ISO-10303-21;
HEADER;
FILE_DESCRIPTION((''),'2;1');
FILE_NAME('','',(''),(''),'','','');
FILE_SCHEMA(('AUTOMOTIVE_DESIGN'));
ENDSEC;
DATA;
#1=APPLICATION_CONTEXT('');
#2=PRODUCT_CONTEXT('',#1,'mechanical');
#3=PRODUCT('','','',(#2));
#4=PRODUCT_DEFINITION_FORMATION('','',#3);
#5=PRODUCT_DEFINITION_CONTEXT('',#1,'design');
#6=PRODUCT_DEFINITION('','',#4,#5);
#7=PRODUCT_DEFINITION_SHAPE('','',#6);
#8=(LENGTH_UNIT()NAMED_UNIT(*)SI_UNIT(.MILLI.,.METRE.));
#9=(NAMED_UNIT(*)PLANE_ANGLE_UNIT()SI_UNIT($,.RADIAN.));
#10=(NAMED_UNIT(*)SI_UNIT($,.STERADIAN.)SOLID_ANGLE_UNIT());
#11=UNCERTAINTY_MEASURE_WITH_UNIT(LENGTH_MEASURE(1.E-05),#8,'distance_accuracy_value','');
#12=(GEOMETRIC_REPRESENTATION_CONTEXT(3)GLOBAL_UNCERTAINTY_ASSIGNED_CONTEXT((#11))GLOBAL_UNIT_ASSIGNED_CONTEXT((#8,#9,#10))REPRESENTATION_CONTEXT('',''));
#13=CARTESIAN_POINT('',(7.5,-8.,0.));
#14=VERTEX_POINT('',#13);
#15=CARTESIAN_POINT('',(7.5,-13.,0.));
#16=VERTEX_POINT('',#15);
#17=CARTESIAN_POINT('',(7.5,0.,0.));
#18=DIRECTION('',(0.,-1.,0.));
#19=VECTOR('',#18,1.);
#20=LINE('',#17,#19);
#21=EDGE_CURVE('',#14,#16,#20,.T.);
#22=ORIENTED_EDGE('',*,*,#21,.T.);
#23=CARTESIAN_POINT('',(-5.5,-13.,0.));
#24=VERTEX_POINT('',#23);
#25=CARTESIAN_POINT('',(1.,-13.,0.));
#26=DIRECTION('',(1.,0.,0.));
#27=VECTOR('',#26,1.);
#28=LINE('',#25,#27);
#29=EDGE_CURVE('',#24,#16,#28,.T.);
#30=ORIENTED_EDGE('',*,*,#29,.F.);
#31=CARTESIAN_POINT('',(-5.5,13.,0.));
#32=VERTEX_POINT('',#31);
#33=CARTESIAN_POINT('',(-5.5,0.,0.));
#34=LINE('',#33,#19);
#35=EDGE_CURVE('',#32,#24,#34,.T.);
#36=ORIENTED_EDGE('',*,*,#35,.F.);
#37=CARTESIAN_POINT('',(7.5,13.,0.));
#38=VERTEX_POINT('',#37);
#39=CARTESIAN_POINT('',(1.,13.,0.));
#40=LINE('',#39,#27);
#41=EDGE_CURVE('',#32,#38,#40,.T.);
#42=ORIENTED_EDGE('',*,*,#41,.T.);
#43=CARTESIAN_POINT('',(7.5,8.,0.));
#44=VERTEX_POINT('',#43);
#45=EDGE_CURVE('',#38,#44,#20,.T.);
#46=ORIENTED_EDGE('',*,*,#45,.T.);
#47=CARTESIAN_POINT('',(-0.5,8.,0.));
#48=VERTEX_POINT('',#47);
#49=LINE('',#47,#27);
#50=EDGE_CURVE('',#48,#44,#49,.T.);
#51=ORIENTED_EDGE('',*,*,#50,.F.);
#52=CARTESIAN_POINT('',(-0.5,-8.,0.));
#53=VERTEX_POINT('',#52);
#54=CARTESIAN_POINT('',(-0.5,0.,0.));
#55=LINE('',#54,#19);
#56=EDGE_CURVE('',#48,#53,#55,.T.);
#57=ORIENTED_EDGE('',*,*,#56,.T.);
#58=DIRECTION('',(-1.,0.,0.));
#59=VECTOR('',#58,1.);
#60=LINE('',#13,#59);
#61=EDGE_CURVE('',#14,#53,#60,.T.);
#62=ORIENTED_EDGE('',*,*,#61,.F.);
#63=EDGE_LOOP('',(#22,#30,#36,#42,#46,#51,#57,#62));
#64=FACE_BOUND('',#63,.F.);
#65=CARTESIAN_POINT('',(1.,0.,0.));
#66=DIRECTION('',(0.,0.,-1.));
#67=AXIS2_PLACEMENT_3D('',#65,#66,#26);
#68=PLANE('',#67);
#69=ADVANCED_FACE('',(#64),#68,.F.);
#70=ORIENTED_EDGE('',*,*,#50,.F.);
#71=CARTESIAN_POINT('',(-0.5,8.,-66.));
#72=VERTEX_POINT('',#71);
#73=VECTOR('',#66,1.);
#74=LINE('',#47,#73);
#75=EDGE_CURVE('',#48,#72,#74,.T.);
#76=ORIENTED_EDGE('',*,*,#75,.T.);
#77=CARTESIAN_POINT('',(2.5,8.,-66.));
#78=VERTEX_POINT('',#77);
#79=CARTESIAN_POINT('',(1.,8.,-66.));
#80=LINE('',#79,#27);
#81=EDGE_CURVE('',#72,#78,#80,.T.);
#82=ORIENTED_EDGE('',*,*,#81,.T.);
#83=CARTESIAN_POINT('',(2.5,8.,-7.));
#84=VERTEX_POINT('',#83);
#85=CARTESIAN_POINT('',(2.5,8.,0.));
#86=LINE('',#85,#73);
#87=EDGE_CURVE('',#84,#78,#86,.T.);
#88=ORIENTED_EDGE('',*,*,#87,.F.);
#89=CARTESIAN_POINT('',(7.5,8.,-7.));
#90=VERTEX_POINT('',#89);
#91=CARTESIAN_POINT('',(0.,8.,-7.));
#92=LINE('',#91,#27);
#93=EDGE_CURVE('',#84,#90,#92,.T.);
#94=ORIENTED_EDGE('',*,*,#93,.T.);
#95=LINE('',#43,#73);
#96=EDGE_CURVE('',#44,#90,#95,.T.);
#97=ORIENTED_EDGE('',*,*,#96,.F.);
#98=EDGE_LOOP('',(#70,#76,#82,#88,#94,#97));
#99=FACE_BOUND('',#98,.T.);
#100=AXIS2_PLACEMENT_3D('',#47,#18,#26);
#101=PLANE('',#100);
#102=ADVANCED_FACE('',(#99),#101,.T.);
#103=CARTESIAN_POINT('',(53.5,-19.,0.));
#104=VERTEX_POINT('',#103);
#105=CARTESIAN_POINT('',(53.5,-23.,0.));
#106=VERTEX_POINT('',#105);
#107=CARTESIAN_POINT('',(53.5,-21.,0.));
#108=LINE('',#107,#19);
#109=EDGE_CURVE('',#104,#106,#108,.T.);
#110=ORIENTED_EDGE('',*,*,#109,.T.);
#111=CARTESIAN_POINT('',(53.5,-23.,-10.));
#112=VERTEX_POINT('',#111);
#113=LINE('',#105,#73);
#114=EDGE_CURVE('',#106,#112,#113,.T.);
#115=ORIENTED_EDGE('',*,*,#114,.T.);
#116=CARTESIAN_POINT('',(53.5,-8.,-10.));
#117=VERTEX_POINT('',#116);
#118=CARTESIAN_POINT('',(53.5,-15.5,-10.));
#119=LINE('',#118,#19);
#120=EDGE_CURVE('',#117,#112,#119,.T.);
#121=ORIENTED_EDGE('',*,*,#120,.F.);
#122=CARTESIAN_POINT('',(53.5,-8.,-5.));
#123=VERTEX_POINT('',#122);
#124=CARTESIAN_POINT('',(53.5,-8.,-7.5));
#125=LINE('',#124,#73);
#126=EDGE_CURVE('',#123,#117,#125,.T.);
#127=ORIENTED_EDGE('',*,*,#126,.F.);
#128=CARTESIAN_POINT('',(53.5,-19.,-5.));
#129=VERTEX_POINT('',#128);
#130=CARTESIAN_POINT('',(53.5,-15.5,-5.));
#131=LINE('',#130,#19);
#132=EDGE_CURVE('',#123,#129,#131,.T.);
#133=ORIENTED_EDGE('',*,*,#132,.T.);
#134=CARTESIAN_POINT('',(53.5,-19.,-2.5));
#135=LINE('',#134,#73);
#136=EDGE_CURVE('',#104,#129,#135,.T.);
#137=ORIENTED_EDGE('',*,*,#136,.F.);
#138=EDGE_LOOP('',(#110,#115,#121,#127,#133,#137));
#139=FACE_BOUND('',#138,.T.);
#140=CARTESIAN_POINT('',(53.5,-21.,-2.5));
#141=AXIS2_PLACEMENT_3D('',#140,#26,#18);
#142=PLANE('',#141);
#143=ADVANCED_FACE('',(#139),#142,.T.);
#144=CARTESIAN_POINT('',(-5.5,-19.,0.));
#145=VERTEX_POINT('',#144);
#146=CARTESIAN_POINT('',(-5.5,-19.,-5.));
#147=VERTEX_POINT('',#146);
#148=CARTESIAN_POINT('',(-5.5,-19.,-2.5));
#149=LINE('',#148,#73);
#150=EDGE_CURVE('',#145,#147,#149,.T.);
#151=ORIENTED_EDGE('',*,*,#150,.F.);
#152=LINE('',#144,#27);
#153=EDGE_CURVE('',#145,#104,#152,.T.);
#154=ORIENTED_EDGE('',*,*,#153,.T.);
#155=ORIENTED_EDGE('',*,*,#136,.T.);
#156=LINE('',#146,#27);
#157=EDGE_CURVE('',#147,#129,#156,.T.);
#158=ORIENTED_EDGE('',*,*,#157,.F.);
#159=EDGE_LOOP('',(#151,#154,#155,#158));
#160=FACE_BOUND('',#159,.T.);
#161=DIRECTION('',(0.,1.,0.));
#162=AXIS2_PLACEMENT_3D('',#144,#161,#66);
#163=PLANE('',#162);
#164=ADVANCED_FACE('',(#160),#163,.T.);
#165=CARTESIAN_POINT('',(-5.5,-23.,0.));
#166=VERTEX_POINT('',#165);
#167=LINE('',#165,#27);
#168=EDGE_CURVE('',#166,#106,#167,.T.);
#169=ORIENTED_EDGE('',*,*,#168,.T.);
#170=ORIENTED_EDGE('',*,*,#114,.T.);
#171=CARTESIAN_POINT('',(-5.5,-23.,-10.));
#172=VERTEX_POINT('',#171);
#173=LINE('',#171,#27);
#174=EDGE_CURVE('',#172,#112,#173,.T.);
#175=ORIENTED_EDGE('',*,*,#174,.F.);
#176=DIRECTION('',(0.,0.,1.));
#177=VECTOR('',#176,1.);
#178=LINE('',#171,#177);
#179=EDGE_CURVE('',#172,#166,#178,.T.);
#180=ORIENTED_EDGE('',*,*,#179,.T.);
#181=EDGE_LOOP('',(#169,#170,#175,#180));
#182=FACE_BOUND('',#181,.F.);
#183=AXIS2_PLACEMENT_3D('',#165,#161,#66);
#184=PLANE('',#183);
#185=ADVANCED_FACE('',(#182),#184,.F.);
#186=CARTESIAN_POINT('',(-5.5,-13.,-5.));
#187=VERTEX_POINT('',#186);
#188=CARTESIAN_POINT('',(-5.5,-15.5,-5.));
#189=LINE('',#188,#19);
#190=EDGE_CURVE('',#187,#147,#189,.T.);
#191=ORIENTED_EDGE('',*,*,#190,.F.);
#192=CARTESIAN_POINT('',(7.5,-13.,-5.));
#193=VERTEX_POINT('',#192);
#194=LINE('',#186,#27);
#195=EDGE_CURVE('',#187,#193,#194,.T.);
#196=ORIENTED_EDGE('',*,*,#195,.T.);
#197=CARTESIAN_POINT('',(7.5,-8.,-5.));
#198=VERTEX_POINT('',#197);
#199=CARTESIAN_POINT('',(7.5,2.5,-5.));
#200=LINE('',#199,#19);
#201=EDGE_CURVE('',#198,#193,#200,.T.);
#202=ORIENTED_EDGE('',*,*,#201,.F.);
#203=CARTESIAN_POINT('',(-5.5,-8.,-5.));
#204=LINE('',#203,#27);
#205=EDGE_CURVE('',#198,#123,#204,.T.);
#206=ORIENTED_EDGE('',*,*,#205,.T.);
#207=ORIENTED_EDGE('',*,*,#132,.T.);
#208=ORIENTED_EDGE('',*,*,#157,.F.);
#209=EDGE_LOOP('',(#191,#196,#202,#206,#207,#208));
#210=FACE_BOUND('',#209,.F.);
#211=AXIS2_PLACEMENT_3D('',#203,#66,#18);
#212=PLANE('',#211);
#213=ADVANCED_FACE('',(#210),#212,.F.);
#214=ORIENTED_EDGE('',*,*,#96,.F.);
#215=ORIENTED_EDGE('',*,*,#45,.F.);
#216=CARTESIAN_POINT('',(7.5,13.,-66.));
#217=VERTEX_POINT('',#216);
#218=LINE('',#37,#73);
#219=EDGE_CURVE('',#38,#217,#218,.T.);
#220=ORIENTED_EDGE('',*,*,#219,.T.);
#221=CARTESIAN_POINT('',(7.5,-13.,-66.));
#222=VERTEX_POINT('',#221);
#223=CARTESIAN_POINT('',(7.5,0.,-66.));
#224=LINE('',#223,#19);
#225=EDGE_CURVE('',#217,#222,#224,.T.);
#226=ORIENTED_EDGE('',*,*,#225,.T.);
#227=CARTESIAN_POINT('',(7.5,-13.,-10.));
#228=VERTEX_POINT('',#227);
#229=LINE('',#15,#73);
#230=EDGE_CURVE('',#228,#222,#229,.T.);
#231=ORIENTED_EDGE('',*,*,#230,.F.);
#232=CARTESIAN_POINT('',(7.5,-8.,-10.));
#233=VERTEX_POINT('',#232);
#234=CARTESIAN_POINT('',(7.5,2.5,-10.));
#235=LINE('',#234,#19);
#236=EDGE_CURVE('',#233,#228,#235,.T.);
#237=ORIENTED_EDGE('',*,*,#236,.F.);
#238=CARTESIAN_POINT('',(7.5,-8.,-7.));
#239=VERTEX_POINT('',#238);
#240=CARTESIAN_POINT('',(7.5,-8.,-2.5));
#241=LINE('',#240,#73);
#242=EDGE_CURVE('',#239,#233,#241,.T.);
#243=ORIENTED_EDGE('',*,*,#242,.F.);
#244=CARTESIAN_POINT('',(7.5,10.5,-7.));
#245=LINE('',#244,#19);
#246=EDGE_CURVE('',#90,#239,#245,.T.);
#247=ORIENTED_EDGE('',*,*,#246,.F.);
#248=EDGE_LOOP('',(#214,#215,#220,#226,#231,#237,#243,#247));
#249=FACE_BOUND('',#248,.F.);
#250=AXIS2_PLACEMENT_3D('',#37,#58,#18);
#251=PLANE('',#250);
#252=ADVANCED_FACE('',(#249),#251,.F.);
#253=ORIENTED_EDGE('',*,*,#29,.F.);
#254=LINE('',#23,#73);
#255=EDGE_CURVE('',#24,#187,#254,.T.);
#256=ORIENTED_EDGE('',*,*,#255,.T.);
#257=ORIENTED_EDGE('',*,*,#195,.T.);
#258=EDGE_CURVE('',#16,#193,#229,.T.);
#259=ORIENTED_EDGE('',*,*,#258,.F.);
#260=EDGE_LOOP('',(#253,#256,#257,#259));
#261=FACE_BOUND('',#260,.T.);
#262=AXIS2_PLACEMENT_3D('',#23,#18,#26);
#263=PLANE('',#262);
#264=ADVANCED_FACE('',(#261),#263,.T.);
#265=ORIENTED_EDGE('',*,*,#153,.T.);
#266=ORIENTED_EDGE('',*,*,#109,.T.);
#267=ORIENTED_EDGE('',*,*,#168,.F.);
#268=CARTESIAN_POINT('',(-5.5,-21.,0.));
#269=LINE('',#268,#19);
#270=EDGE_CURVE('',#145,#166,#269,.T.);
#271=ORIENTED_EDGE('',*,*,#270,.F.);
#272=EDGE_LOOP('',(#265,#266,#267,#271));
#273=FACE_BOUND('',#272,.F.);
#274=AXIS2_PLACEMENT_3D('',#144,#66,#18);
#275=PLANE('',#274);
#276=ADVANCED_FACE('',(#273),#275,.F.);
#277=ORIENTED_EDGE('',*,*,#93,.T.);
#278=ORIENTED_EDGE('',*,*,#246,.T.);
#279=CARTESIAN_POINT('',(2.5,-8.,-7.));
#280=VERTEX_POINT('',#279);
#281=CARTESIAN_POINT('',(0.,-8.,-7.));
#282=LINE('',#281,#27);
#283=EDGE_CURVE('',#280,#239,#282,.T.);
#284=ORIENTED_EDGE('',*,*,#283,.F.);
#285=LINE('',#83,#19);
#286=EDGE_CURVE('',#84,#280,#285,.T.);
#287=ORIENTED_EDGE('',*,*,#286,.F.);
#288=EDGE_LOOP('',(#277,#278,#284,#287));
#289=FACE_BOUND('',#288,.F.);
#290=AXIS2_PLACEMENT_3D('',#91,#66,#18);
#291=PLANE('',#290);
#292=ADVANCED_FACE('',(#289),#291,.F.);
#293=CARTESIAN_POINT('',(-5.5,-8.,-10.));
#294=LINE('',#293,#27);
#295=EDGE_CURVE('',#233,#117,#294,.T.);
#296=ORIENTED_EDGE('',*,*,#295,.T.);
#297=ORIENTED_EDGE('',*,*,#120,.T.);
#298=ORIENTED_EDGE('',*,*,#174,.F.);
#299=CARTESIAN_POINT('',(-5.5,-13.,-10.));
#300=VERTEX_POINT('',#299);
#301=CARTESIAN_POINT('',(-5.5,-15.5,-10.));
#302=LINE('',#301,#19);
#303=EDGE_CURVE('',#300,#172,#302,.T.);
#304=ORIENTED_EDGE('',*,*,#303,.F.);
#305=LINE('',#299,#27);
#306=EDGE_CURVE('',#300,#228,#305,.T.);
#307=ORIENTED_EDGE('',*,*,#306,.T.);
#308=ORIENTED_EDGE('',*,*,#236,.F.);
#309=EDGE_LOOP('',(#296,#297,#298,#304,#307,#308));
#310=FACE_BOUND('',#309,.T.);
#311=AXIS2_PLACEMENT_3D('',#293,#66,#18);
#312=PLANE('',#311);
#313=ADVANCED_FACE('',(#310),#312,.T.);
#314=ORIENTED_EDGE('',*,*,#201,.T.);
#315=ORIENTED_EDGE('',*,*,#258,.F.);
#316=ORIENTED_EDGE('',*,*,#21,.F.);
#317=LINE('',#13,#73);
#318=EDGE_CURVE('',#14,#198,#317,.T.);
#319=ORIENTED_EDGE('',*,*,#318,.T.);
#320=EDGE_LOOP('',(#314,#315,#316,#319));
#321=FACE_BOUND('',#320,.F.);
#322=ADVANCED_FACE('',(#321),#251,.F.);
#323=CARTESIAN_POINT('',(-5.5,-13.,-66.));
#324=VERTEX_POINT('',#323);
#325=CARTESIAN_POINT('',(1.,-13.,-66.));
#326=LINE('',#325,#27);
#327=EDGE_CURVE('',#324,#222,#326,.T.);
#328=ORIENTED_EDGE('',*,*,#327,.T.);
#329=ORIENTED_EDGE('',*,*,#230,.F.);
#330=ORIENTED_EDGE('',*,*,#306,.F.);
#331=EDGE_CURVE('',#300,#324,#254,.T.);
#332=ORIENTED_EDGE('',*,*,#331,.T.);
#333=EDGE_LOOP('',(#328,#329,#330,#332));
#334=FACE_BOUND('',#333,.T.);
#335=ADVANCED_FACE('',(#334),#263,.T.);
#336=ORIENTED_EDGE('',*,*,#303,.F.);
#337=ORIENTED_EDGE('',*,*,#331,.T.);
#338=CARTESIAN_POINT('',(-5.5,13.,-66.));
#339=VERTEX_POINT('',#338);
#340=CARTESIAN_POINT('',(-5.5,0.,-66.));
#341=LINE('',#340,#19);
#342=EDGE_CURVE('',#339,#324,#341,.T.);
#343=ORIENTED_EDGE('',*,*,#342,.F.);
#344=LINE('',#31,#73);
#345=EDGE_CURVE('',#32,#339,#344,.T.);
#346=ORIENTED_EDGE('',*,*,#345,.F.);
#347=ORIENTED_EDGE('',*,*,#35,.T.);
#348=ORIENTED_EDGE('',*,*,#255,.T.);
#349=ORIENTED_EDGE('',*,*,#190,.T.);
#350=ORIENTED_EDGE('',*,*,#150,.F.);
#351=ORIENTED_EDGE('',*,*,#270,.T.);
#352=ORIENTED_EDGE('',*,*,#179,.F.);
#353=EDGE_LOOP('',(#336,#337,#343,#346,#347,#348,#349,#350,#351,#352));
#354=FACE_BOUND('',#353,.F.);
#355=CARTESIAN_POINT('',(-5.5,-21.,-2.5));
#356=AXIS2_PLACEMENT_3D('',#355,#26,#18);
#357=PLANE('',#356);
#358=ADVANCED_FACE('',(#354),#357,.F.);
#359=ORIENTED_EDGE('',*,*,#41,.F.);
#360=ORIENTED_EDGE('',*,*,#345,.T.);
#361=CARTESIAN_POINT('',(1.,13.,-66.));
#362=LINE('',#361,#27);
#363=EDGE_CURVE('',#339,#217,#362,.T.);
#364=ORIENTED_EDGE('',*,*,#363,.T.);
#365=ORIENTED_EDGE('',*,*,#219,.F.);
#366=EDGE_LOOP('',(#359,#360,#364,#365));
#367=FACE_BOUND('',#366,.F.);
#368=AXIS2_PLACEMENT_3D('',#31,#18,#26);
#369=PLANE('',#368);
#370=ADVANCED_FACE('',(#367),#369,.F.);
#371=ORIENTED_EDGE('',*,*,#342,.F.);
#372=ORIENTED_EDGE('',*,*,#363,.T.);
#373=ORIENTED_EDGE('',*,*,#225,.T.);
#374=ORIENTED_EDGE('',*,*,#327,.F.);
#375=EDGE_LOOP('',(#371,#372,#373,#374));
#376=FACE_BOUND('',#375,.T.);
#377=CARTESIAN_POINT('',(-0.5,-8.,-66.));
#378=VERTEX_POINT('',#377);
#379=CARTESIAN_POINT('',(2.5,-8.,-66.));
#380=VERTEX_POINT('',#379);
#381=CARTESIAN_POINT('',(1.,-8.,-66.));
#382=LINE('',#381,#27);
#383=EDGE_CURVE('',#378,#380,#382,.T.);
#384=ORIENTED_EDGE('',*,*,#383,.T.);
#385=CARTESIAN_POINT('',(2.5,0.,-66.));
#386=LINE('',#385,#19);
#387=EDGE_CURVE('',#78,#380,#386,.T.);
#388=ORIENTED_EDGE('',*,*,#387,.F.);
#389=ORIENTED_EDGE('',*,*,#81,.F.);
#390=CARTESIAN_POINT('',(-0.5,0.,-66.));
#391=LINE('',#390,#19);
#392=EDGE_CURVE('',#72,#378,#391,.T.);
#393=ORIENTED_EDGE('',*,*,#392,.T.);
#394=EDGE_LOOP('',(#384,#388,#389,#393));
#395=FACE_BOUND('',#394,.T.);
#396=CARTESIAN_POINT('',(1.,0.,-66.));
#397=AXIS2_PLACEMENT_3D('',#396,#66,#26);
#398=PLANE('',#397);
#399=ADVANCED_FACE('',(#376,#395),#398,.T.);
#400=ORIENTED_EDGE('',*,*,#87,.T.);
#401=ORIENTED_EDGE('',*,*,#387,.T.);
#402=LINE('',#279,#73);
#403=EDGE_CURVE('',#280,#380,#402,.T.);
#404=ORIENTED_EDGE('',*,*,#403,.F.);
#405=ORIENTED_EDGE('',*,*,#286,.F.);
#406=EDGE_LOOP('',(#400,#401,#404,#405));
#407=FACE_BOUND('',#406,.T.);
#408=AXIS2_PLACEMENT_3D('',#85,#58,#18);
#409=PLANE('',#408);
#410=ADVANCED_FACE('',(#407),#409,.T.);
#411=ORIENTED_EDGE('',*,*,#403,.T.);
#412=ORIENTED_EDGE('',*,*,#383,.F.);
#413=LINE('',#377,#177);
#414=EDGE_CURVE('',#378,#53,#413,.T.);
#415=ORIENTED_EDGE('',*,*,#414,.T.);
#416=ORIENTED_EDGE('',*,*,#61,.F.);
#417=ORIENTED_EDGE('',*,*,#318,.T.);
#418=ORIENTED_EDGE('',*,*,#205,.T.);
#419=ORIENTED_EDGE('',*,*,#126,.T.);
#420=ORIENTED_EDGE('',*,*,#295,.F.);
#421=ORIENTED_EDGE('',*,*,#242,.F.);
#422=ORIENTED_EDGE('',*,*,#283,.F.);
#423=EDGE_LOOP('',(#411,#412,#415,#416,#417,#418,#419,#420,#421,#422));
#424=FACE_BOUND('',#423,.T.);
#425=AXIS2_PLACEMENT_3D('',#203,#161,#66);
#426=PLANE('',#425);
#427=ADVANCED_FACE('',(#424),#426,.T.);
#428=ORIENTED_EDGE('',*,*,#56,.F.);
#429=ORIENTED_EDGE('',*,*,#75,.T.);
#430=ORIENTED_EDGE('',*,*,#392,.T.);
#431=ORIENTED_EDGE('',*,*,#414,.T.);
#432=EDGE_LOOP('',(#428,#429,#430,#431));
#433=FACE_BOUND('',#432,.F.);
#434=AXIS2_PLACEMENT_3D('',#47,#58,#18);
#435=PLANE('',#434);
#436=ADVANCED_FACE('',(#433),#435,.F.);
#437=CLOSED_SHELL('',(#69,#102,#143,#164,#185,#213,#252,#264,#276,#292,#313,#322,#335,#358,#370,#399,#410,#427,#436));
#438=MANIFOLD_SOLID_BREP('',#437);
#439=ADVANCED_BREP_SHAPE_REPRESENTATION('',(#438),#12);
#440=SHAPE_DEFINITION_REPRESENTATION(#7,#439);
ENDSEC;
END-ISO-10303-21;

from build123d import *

# Parameters (mm, degrees)
SKETCH001_W             = 13
SKETCH001_H             = 26
SKETCH001_W_2           = 3
SKETCH001_H_2           = 16
PAD001_DEPTH            = 66
BOX_W                   = 16
BOX_H                   = 7
BOX_DEPTH               = 8
BOX001_W                = 15
BOX001_H                = 5
BOX001_DEPTH            = 59
BOX002_W                = 4
BOX002_H                = 5
BOX002_DEPTH            = 59
BODY001_PLACEMENT_ANGLE = 180


with BuildPart() as part:
    # Sketch001 → Pad001 (new body)
    with BuildSketch(Plane.XY):
        with Locations((1, 0)):
            Rectangle(SKETCH001_W, SKETCH001_H)
        with Locations((1, 0)):
            Rectangle(SKETCH001_W_2, SKETCH001_H_2, mode=Mode.SUBTRACT)
    extrude(amount=PAD001_DEPTH)

    # Box → Box (cut)
    with BuildSketch(Plane(origin=(0, -8, 0), x_dir=(0, 1, 0), z_dir=(1, 0, 0))):
        with Locations((8, 3.5)):
            Rectangle(BOX_W, BOX_H)
    extrude(amount=BOX_DEPTH, mode=Mode.SUBTRACT)

    # Box001 → Box001 (join)
    with BuildSketch(Plane(origin=(-5.5, 8, 5), x_dir=(0, 1, 0), z_dir=(1, 0, 0))):
        with Locations((7.5, 2.5)):
            Rectangle(BOX001_W, BOX001_H)
    extrude(amount=BOX001_DEPTH)

    # Box002 → Box002 (join)
    with BuildSketch(Plane(origin=(-5.5, 19, 0), x_dir=(0, 1, 0), z_dir=(1, 0, 0))):
        with Locations((2, 2.5)):
            Rectangle(BOX002_W, BOX002_H)
    extrude(amount=BOX002_DEPTH)


with BuildPart() as part_1:
    # Body001 placement: moved
    add(part.part.rotate(Axis((0, 0, 0), (1, 0, 0)), BODY001_PLACEMENT_ANGLE))


solid = part_1.part
